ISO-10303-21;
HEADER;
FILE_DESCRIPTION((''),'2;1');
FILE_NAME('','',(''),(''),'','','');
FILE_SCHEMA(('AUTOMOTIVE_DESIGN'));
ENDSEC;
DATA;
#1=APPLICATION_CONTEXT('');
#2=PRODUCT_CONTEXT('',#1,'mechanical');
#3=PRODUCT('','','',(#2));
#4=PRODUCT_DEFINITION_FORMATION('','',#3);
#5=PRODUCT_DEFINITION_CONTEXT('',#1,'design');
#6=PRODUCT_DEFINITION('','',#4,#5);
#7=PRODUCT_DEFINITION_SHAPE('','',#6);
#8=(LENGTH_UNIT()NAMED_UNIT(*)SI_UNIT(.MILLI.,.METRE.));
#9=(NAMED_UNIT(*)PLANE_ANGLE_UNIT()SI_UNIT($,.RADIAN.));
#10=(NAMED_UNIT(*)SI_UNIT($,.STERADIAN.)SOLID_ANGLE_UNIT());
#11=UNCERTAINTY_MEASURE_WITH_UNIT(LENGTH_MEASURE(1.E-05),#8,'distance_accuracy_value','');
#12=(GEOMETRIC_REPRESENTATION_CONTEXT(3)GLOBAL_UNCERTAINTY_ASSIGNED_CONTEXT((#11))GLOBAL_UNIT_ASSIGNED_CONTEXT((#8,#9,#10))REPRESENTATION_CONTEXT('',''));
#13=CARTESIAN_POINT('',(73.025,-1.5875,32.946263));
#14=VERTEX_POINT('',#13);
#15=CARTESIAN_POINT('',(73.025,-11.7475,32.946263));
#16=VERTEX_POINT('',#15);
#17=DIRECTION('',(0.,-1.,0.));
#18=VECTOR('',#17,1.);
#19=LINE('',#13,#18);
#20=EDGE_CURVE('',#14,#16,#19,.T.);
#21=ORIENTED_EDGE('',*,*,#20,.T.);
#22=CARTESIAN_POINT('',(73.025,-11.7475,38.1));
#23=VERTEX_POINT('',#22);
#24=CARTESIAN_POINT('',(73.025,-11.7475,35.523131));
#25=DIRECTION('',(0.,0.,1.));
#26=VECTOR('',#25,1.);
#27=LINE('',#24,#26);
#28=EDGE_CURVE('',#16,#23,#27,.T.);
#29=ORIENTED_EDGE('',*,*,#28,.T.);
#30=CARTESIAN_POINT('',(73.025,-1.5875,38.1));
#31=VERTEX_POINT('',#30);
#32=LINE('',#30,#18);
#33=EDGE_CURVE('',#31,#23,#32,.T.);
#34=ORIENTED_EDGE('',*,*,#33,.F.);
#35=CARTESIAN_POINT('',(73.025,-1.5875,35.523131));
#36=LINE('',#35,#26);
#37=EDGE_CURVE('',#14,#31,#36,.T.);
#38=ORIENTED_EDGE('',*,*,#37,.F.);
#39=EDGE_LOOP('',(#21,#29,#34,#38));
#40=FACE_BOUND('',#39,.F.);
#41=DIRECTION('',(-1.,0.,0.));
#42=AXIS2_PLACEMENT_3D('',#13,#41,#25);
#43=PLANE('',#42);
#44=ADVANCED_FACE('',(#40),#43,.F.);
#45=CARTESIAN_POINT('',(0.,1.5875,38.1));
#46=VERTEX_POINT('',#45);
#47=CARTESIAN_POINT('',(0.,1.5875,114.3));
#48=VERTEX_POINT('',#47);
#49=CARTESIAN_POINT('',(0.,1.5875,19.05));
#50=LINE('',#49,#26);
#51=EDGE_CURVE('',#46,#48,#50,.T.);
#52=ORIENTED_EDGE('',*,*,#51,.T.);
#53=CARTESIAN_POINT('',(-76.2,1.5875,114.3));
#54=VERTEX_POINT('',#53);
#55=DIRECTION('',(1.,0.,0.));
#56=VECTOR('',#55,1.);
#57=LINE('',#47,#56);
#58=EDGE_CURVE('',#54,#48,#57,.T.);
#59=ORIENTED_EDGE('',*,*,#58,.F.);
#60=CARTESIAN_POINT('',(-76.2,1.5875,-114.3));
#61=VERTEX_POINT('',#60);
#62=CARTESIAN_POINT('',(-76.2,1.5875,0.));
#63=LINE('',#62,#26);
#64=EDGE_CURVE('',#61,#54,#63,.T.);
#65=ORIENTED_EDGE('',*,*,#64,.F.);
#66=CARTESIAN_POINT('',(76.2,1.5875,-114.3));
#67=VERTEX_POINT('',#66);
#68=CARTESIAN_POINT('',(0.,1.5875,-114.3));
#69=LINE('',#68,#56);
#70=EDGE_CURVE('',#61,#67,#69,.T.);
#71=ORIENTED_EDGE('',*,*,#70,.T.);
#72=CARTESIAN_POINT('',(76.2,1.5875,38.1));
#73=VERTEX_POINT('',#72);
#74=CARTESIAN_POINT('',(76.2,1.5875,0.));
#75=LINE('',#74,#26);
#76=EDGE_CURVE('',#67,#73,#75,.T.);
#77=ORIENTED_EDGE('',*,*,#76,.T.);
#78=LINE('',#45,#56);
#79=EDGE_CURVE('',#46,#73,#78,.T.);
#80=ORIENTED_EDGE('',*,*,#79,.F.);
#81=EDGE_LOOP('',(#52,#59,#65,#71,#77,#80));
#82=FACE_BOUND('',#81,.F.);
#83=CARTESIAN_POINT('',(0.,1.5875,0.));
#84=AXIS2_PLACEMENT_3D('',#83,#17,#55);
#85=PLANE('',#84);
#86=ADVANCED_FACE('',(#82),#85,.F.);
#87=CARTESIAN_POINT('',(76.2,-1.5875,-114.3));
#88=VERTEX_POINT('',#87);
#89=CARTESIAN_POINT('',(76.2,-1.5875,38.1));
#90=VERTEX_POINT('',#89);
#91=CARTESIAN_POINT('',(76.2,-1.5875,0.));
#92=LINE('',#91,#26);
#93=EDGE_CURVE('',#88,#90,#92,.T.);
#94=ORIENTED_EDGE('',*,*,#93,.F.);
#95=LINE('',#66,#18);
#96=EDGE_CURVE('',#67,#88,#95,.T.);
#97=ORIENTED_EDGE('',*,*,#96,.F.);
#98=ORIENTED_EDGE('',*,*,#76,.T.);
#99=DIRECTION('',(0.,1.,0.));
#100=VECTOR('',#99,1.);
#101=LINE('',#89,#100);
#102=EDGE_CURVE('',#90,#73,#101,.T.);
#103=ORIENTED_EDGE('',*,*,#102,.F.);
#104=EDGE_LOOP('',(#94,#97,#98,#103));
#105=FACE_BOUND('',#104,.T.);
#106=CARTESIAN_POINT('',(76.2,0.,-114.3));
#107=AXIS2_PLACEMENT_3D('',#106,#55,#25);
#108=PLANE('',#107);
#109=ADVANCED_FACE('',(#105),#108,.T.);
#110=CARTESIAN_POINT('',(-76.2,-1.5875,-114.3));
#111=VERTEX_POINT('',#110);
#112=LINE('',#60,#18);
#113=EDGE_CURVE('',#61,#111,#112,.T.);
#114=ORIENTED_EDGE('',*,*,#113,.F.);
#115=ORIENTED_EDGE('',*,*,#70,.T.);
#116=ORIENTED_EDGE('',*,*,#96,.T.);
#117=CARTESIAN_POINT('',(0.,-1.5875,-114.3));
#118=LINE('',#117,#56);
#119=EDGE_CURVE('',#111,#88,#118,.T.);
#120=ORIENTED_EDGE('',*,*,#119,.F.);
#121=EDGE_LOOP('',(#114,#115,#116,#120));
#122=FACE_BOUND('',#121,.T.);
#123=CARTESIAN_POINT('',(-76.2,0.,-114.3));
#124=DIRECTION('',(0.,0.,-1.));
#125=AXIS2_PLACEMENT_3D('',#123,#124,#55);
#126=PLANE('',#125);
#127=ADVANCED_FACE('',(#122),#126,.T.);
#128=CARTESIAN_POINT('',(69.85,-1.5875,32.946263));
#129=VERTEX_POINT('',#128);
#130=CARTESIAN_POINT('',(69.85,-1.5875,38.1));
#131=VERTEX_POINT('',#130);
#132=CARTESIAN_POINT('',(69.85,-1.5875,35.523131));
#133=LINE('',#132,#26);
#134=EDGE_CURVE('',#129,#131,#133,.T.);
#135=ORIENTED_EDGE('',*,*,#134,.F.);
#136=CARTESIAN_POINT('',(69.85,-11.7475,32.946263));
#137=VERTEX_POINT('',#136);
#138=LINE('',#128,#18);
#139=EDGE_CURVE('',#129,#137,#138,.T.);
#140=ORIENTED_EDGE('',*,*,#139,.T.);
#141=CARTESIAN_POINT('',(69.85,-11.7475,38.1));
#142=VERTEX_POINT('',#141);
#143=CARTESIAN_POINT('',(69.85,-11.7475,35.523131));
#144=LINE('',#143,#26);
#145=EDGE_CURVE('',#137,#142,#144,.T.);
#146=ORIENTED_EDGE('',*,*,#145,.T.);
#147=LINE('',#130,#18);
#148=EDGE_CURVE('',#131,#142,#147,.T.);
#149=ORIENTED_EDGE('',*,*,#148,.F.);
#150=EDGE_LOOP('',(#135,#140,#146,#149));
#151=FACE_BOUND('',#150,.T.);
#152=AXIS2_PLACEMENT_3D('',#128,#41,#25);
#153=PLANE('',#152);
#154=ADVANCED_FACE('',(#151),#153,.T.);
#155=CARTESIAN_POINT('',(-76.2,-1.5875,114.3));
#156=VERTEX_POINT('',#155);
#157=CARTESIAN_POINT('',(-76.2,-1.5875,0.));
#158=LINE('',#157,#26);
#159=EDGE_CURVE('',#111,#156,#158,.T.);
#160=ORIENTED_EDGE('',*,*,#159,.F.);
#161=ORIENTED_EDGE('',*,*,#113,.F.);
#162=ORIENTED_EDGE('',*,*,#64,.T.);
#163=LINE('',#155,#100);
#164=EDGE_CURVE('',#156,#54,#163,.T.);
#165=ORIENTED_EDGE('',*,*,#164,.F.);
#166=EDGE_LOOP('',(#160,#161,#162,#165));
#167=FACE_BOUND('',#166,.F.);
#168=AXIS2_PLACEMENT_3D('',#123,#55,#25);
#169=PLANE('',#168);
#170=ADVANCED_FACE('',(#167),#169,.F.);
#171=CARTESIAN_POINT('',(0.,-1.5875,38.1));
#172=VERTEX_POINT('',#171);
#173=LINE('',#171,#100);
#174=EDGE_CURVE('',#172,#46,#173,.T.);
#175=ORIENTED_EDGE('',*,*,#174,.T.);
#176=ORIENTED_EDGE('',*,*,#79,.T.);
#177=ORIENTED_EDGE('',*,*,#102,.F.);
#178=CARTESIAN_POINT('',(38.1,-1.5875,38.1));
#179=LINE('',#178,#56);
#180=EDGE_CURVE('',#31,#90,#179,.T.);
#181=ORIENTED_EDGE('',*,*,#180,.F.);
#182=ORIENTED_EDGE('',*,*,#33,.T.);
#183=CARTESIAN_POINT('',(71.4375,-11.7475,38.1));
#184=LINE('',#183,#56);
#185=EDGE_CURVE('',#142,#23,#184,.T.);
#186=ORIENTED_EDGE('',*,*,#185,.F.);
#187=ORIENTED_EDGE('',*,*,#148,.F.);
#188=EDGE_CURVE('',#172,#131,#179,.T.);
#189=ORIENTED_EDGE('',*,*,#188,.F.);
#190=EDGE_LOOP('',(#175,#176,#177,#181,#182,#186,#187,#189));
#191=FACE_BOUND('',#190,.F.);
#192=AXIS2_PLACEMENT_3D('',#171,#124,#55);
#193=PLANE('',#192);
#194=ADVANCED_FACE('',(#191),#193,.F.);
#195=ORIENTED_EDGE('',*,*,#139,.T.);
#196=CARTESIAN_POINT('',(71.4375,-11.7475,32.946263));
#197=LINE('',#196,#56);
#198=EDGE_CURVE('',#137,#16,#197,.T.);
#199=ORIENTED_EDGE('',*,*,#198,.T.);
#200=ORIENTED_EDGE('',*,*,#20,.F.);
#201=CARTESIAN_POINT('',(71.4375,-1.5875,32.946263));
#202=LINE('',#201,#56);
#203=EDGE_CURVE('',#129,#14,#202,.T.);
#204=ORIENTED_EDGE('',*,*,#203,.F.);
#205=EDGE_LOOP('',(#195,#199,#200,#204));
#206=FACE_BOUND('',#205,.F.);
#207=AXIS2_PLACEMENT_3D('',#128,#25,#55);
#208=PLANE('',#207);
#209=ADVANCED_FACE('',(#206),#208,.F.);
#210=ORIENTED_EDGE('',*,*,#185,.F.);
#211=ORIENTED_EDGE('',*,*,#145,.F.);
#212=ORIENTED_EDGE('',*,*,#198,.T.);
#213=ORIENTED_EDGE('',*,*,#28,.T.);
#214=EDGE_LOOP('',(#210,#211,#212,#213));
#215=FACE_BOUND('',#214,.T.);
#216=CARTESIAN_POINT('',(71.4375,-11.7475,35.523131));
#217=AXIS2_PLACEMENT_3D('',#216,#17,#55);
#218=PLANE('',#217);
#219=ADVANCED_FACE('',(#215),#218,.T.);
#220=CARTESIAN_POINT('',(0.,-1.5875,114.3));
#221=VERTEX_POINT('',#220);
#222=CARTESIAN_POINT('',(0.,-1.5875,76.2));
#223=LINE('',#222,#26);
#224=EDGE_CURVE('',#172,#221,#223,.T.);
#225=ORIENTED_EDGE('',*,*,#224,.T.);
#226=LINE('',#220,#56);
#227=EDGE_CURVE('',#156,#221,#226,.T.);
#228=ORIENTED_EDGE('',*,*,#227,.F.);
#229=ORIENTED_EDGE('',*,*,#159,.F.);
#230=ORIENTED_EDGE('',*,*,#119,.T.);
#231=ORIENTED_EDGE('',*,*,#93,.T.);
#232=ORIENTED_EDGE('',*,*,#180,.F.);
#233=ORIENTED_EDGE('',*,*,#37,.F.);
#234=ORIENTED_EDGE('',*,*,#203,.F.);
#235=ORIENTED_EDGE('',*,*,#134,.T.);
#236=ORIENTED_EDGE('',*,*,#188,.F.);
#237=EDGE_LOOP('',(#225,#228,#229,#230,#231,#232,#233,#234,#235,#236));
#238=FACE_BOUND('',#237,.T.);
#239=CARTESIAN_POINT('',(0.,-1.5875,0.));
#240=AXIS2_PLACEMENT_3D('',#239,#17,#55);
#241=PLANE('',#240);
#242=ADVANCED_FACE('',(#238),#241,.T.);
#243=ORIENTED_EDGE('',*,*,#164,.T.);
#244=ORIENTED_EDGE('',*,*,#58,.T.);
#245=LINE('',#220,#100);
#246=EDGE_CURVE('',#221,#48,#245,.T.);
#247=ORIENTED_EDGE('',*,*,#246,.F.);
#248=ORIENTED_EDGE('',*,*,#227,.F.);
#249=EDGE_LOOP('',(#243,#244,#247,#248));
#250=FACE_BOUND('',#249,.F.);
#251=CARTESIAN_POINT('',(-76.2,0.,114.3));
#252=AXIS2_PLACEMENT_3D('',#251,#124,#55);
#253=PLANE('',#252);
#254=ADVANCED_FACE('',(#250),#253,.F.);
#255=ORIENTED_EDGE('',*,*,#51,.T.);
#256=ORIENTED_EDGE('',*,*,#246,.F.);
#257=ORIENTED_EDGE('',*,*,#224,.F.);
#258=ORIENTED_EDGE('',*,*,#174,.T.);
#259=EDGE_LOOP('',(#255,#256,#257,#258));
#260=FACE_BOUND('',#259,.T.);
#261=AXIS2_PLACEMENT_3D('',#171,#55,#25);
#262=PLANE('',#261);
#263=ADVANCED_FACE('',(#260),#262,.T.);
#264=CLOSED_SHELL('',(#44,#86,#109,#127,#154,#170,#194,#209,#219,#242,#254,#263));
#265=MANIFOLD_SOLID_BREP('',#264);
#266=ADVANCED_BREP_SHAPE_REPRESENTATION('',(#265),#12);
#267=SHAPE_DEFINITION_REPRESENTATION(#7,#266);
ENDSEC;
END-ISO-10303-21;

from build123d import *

# Parameters (mm, degrees)
F0_W     = 152.4
F0_H     = 228.6
F1_DEPTH = 1.5875
F2_W     = 76.2
F2_H     = 76.2
F3_DEPTH = 3.176
F4_W     = 3.175
F4_H     = 5.1537374914
F5_DEPTH = 10.16


with BuildPart() as f1:
    # F0 (on Front) → F1 (new body, symmetric)
    with BuildSketch(Plane.XZ):
        Rectangle(F0_W, F0_H)
    extrude(amount=F1_DEPTH, both=True)

    # F2 (on face) → F3 (cut, through all)
    with BuildSketch(Plane.XZ.offset(1.5875)):
        with Locations((38.1, 76.2)):
            Rectangle(F2_W, F2_H)
    extrude(amount=-F3_DEPTH, mode=Mode.SUBTRACT)

    # F4 (on face) → F5 (join)
    with BuildSketch(Plane.XZ.offset(1.5875)):
        with Locations((71.4375, 35.5231312543)):
            Rectangle(F4_W, F4_H)
    extrude(amount=F5_DEPTH)


solid = f1.part
